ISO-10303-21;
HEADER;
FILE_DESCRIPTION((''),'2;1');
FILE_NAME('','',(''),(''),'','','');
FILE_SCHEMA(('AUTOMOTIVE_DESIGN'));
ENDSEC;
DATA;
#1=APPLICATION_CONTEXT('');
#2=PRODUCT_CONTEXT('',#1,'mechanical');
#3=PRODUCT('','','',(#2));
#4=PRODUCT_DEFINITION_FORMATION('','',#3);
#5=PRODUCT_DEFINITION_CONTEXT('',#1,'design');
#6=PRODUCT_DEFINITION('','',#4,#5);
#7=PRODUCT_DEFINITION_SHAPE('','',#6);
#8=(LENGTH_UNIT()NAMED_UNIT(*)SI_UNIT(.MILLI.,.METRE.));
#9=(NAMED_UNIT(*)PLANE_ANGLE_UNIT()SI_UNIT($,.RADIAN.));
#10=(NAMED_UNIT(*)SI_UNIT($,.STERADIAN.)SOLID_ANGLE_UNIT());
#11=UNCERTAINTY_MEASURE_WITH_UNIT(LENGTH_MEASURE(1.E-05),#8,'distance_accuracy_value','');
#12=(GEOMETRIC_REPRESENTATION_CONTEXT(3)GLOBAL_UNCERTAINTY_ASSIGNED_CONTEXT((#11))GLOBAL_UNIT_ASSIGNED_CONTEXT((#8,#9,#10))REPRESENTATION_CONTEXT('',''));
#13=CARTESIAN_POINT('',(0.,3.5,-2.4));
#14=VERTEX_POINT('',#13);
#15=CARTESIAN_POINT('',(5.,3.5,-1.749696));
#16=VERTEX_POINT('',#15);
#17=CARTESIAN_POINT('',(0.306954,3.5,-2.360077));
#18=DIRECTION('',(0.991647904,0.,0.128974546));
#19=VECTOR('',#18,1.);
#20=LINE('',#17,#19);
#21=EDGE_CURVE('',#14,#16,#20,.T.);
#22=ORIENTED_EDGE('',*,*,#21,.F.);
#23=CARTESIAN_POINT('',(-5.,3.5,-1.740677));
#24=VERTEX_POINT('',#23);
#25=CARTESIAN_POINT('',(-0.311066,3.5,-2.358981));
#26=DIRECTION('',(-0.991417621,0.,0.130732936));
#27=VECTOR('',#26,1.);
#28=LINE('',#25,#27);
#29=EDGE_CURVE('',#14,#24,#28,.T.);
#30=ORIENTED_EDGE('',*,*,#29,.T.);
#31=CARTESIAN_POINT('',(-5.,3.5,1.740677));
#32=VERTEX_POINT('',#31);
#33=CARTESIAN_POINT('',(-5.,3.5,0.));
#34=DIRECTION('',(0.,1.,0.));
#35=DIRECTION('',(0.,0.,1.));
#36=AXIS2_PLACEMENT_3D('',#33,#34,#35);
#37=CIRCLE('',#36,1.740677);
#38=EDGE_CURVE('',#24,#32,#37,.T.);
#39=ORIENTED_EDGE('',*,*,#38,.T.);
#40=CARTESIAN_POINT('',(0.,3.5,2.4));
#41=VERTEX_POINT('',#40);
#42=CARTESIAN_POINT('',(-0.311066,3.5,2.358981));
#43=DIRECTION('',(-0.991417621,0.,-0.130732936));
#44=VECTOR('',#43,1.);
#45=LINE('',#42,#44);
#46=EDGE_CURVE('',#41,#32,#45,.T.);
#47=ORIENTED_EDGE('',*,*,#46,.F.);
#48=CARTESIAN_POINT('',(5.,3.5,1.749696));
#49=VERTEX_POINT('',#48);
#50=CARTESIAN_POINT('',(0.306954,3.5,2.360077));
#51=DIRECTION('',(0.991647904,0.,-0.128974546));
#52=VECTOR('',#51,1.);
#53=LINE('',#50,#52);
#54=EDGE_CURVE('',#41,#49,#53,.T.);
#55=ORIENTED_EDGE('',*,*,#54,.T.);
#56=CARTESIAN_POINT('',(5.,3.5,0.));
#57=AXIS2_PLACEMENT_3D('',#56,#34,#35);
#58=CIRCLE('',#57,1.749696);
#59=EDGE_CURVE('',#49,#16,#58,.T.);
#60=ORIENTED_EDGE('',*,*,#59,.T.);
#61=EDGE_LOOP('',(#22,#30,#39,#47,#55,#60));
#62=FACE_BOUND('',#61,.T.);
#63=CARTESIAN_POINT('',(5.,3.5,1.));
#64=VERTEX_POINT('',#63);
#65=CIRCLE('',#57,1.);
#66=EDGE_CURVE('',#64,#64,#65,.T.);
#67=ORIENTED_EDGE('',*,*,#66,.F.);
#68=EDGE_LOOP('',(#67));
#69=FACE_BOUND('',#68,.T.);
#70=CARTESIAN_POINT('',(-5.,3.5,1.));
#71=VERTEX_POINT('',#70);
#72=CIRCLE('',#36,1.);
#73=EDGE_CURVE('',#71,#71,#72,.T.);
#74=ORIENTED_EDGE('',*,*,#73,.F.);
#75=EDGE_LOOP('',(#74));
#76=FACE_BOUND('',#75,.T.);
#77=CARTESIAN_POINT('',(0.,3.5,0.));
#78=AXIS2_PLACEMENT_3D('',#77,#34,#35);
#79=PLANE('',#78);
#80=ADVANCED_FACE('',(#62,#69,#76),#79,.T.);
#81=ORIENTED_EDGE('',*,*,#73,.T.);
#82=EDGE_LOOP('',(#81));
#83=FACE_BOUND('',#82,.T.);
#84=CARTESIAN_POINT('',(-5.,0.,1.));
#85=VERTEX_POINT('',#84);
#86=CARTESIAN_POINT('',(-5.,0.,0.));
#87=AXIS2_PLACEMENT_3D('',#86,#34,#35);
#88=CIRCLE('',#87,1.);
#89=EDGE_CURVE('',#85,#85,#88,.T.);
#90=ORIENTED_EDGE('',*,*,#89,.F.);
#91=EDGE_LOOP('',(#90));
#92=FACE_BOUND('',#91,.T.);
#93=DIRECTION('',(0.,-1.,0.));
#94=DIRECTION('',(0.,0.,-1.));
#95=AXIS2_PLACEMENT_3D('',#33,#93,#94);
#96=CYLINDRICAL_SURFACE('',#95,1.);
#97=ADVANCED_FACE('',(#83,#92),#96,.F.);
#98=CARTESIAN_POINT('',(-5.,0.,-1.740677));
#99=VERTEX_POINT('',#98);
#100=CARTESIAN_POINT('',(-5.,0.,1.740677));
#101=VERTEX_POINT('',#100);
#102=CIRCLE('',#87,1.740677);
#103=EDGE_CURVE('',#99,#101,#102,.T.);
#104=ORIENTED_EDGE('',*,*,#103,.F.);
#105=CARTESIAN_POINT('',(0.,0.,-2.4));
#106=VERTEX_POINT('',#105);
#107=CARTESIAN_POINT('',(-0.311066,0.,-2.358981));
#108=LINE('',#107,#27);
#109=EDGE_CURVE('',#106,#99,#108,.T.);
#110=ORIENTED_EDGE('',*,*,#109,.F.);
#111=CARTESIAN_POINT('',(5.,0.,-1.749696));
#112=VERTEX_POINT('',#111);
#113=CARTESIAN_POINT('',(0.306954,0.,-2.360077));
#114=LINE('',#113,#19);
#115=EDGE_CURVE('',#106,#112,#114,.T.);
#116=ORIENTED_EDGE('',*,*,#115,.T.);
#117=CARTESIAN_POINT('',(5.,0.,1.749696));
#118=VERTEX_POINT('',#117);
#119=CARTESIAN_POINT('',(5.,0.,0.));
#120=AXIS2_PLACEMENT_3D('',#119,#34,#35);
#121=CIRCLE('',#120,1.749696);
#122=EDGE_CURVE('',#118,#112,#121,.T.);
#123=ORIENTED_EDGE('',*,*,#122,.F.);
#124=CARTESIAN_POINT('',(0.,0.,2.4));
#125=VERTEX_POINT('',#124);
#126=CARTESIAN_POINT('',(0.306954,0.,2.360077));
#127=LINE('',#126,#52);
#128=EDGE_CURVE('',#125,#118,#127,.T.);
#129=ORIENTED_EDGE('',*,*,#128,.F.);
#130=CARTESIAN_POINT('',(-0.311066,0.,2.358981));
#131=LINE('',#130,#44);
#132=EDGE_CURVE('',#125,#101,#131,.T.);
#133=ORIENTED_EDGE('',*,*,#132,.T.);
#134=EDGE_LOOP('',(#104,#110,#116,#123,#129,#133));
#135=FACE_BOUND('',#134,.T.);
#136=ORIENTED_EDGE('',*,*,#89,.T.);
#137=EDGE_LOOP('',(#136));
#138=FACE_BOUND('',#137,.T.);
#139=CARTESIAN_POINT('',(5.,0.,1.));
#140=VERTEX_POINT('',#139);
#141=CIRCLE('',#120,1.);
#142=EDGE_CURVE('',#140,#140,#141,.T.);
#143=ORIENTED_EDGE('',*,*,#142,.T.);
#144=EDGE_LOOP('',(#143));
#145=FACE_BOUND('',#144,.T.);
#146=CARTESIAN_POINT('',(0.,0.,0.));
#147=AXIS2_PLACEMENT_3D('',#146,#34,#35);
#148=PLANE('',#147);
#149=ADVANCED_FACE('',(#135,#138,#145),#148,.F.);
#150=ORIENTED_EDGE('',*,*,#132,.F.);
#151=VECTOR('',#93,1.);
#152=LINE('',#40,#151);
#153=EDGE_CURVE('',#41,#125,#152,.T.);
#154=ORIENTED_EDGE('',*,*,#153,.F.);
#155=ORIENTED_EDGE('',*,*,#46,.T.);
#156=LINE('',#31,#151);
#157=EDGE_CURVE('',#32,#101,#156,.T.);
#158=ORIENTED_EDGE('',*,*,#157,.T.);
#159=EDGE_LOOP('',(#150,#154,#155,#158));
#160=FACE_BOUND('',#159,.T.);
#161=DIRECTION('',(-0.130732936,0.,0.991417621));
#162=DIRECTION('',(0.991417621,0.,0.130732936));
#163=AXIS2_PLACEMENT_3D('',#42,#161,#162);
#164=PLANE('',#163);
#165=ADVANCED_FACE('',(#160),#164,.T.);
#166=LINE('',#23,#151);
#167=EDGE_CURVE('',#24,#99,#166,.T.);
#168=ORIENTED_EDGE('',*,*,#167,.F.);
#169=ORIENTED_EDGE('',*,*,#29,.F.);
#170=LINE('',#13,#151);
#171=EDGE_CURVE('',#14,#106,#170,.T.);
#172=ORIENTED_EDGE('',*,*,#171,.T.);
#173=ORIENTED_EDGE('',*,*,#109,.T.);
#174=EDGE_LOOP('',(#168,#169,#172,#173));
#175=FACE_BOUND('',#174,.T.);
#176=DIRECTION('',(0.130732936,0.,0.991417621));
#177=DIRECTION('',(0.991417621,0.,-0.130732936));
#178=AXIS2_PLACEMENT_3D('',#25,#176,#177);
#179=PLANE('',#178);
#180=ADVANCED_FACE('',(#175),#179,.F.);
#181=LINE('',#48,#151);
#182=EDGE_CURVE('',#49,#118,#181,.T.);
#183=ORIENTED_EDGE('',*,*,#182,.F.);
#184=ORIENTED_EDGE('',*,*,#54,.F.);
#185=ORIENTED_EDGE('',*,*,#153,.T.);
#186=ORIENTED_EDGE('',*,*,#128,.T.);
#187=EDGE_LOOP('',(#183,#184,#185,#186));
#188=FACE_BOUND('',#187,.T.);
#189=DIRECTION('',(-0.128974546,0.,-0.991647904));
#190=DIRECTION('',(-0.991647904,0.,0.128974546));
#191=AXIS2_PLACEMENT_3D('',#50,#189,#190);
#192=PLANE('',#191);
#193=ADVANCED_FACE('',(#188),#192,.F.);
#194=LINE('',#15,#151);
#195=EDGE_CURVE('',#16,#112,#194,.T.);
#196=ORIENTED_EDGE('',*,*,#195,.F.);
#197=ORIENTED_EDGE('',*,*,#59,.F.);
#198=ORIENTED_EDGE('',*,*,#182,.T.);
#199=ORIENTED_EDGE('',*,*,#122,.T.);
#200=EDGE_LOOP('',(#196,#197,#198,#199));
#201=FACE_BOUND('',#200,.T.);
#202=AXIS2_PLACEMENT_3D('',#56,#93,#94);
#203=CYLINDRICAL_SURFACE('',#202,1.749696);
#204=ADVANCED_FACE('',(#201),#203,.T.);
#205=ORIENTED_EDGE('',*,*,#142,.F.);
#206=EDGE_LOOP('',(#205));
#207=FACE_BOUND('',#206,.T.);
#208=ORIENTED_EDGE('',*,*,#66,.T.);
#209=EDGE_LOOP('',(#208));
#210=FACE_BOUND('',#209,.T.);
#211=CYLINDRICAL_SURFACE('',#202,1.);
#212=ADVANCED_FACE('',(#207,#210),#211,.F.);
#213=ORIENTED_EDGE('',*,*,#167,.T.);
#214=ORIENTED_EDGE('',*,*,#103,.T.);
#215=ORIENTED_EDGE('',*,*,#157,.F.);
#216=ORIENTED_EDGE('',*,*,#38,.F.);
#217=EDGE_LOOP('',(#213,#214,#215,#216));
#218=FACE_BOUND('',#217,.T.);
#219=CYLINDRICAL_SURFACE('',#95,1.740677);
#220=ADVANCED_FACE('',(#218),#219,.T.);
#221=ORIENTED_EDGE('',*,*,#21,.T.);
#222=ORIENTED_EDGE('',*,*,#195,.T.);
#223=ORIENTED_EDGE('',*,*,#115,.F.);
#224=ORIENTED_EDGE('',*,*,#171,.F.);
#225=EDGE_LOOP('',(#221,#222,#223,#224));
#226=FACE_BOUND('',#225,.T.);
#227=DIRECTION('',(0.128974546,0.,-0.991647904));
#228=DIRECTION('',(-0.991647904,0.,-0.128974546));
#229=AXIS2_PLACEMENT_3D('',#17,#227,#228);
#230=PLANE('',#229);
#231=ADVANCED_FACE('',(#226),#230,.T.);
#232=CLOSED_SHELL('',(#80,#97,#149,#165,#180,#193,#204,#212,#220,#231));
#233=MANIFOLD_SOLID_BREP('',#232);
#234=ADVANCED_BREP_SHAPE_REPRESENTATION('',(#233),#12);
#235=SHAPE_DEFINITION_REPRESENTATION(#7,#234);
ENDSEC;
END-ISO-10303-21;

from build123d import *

# Parameters (mm, degrees)
SKETCH1_R           = 1
BOSS_EXTRUDE1_DEPTH = 3.5


with BuildPart() as part:
    # Sketch1 → Boss-Extrude1 (new body)
    with BuildSketch(Plane(origin=(0, 0, 0), x_dir=(1, 0, 0), z_dir=(0, 1, 0))):
        with BuildLine():
            Line((0, -2.4), (5, -1.749695866))
            ThreePointArc((5, -1.749695866), (6.749695866, 0), (5, 1.749695866))
            Line((5, 1.749695866), (0, 2.4))
            Line((0, 2.4), (-5, 1.74067676))
            ThreePointArc((-5, 1.74067676), (-6.74067676, 0), (-5, -1.74067676))
            Line((-5, -1.74067676), (0, -2.4))
        make_face()
        with Locations(Location((5, 0, 0), (0, 0, 270))):
            Circle(SKETCH1_R, mode=Mode.SUBTRACT)
        with Locations(Location((-5, 0, 0), (0, 0, 270))):
            Circle(SKETCH1_R, mode=Mode.SUBTRACT)
    extrude(amount=BOSS_EXTRUDE1_DEPTH)


solid = part.part
